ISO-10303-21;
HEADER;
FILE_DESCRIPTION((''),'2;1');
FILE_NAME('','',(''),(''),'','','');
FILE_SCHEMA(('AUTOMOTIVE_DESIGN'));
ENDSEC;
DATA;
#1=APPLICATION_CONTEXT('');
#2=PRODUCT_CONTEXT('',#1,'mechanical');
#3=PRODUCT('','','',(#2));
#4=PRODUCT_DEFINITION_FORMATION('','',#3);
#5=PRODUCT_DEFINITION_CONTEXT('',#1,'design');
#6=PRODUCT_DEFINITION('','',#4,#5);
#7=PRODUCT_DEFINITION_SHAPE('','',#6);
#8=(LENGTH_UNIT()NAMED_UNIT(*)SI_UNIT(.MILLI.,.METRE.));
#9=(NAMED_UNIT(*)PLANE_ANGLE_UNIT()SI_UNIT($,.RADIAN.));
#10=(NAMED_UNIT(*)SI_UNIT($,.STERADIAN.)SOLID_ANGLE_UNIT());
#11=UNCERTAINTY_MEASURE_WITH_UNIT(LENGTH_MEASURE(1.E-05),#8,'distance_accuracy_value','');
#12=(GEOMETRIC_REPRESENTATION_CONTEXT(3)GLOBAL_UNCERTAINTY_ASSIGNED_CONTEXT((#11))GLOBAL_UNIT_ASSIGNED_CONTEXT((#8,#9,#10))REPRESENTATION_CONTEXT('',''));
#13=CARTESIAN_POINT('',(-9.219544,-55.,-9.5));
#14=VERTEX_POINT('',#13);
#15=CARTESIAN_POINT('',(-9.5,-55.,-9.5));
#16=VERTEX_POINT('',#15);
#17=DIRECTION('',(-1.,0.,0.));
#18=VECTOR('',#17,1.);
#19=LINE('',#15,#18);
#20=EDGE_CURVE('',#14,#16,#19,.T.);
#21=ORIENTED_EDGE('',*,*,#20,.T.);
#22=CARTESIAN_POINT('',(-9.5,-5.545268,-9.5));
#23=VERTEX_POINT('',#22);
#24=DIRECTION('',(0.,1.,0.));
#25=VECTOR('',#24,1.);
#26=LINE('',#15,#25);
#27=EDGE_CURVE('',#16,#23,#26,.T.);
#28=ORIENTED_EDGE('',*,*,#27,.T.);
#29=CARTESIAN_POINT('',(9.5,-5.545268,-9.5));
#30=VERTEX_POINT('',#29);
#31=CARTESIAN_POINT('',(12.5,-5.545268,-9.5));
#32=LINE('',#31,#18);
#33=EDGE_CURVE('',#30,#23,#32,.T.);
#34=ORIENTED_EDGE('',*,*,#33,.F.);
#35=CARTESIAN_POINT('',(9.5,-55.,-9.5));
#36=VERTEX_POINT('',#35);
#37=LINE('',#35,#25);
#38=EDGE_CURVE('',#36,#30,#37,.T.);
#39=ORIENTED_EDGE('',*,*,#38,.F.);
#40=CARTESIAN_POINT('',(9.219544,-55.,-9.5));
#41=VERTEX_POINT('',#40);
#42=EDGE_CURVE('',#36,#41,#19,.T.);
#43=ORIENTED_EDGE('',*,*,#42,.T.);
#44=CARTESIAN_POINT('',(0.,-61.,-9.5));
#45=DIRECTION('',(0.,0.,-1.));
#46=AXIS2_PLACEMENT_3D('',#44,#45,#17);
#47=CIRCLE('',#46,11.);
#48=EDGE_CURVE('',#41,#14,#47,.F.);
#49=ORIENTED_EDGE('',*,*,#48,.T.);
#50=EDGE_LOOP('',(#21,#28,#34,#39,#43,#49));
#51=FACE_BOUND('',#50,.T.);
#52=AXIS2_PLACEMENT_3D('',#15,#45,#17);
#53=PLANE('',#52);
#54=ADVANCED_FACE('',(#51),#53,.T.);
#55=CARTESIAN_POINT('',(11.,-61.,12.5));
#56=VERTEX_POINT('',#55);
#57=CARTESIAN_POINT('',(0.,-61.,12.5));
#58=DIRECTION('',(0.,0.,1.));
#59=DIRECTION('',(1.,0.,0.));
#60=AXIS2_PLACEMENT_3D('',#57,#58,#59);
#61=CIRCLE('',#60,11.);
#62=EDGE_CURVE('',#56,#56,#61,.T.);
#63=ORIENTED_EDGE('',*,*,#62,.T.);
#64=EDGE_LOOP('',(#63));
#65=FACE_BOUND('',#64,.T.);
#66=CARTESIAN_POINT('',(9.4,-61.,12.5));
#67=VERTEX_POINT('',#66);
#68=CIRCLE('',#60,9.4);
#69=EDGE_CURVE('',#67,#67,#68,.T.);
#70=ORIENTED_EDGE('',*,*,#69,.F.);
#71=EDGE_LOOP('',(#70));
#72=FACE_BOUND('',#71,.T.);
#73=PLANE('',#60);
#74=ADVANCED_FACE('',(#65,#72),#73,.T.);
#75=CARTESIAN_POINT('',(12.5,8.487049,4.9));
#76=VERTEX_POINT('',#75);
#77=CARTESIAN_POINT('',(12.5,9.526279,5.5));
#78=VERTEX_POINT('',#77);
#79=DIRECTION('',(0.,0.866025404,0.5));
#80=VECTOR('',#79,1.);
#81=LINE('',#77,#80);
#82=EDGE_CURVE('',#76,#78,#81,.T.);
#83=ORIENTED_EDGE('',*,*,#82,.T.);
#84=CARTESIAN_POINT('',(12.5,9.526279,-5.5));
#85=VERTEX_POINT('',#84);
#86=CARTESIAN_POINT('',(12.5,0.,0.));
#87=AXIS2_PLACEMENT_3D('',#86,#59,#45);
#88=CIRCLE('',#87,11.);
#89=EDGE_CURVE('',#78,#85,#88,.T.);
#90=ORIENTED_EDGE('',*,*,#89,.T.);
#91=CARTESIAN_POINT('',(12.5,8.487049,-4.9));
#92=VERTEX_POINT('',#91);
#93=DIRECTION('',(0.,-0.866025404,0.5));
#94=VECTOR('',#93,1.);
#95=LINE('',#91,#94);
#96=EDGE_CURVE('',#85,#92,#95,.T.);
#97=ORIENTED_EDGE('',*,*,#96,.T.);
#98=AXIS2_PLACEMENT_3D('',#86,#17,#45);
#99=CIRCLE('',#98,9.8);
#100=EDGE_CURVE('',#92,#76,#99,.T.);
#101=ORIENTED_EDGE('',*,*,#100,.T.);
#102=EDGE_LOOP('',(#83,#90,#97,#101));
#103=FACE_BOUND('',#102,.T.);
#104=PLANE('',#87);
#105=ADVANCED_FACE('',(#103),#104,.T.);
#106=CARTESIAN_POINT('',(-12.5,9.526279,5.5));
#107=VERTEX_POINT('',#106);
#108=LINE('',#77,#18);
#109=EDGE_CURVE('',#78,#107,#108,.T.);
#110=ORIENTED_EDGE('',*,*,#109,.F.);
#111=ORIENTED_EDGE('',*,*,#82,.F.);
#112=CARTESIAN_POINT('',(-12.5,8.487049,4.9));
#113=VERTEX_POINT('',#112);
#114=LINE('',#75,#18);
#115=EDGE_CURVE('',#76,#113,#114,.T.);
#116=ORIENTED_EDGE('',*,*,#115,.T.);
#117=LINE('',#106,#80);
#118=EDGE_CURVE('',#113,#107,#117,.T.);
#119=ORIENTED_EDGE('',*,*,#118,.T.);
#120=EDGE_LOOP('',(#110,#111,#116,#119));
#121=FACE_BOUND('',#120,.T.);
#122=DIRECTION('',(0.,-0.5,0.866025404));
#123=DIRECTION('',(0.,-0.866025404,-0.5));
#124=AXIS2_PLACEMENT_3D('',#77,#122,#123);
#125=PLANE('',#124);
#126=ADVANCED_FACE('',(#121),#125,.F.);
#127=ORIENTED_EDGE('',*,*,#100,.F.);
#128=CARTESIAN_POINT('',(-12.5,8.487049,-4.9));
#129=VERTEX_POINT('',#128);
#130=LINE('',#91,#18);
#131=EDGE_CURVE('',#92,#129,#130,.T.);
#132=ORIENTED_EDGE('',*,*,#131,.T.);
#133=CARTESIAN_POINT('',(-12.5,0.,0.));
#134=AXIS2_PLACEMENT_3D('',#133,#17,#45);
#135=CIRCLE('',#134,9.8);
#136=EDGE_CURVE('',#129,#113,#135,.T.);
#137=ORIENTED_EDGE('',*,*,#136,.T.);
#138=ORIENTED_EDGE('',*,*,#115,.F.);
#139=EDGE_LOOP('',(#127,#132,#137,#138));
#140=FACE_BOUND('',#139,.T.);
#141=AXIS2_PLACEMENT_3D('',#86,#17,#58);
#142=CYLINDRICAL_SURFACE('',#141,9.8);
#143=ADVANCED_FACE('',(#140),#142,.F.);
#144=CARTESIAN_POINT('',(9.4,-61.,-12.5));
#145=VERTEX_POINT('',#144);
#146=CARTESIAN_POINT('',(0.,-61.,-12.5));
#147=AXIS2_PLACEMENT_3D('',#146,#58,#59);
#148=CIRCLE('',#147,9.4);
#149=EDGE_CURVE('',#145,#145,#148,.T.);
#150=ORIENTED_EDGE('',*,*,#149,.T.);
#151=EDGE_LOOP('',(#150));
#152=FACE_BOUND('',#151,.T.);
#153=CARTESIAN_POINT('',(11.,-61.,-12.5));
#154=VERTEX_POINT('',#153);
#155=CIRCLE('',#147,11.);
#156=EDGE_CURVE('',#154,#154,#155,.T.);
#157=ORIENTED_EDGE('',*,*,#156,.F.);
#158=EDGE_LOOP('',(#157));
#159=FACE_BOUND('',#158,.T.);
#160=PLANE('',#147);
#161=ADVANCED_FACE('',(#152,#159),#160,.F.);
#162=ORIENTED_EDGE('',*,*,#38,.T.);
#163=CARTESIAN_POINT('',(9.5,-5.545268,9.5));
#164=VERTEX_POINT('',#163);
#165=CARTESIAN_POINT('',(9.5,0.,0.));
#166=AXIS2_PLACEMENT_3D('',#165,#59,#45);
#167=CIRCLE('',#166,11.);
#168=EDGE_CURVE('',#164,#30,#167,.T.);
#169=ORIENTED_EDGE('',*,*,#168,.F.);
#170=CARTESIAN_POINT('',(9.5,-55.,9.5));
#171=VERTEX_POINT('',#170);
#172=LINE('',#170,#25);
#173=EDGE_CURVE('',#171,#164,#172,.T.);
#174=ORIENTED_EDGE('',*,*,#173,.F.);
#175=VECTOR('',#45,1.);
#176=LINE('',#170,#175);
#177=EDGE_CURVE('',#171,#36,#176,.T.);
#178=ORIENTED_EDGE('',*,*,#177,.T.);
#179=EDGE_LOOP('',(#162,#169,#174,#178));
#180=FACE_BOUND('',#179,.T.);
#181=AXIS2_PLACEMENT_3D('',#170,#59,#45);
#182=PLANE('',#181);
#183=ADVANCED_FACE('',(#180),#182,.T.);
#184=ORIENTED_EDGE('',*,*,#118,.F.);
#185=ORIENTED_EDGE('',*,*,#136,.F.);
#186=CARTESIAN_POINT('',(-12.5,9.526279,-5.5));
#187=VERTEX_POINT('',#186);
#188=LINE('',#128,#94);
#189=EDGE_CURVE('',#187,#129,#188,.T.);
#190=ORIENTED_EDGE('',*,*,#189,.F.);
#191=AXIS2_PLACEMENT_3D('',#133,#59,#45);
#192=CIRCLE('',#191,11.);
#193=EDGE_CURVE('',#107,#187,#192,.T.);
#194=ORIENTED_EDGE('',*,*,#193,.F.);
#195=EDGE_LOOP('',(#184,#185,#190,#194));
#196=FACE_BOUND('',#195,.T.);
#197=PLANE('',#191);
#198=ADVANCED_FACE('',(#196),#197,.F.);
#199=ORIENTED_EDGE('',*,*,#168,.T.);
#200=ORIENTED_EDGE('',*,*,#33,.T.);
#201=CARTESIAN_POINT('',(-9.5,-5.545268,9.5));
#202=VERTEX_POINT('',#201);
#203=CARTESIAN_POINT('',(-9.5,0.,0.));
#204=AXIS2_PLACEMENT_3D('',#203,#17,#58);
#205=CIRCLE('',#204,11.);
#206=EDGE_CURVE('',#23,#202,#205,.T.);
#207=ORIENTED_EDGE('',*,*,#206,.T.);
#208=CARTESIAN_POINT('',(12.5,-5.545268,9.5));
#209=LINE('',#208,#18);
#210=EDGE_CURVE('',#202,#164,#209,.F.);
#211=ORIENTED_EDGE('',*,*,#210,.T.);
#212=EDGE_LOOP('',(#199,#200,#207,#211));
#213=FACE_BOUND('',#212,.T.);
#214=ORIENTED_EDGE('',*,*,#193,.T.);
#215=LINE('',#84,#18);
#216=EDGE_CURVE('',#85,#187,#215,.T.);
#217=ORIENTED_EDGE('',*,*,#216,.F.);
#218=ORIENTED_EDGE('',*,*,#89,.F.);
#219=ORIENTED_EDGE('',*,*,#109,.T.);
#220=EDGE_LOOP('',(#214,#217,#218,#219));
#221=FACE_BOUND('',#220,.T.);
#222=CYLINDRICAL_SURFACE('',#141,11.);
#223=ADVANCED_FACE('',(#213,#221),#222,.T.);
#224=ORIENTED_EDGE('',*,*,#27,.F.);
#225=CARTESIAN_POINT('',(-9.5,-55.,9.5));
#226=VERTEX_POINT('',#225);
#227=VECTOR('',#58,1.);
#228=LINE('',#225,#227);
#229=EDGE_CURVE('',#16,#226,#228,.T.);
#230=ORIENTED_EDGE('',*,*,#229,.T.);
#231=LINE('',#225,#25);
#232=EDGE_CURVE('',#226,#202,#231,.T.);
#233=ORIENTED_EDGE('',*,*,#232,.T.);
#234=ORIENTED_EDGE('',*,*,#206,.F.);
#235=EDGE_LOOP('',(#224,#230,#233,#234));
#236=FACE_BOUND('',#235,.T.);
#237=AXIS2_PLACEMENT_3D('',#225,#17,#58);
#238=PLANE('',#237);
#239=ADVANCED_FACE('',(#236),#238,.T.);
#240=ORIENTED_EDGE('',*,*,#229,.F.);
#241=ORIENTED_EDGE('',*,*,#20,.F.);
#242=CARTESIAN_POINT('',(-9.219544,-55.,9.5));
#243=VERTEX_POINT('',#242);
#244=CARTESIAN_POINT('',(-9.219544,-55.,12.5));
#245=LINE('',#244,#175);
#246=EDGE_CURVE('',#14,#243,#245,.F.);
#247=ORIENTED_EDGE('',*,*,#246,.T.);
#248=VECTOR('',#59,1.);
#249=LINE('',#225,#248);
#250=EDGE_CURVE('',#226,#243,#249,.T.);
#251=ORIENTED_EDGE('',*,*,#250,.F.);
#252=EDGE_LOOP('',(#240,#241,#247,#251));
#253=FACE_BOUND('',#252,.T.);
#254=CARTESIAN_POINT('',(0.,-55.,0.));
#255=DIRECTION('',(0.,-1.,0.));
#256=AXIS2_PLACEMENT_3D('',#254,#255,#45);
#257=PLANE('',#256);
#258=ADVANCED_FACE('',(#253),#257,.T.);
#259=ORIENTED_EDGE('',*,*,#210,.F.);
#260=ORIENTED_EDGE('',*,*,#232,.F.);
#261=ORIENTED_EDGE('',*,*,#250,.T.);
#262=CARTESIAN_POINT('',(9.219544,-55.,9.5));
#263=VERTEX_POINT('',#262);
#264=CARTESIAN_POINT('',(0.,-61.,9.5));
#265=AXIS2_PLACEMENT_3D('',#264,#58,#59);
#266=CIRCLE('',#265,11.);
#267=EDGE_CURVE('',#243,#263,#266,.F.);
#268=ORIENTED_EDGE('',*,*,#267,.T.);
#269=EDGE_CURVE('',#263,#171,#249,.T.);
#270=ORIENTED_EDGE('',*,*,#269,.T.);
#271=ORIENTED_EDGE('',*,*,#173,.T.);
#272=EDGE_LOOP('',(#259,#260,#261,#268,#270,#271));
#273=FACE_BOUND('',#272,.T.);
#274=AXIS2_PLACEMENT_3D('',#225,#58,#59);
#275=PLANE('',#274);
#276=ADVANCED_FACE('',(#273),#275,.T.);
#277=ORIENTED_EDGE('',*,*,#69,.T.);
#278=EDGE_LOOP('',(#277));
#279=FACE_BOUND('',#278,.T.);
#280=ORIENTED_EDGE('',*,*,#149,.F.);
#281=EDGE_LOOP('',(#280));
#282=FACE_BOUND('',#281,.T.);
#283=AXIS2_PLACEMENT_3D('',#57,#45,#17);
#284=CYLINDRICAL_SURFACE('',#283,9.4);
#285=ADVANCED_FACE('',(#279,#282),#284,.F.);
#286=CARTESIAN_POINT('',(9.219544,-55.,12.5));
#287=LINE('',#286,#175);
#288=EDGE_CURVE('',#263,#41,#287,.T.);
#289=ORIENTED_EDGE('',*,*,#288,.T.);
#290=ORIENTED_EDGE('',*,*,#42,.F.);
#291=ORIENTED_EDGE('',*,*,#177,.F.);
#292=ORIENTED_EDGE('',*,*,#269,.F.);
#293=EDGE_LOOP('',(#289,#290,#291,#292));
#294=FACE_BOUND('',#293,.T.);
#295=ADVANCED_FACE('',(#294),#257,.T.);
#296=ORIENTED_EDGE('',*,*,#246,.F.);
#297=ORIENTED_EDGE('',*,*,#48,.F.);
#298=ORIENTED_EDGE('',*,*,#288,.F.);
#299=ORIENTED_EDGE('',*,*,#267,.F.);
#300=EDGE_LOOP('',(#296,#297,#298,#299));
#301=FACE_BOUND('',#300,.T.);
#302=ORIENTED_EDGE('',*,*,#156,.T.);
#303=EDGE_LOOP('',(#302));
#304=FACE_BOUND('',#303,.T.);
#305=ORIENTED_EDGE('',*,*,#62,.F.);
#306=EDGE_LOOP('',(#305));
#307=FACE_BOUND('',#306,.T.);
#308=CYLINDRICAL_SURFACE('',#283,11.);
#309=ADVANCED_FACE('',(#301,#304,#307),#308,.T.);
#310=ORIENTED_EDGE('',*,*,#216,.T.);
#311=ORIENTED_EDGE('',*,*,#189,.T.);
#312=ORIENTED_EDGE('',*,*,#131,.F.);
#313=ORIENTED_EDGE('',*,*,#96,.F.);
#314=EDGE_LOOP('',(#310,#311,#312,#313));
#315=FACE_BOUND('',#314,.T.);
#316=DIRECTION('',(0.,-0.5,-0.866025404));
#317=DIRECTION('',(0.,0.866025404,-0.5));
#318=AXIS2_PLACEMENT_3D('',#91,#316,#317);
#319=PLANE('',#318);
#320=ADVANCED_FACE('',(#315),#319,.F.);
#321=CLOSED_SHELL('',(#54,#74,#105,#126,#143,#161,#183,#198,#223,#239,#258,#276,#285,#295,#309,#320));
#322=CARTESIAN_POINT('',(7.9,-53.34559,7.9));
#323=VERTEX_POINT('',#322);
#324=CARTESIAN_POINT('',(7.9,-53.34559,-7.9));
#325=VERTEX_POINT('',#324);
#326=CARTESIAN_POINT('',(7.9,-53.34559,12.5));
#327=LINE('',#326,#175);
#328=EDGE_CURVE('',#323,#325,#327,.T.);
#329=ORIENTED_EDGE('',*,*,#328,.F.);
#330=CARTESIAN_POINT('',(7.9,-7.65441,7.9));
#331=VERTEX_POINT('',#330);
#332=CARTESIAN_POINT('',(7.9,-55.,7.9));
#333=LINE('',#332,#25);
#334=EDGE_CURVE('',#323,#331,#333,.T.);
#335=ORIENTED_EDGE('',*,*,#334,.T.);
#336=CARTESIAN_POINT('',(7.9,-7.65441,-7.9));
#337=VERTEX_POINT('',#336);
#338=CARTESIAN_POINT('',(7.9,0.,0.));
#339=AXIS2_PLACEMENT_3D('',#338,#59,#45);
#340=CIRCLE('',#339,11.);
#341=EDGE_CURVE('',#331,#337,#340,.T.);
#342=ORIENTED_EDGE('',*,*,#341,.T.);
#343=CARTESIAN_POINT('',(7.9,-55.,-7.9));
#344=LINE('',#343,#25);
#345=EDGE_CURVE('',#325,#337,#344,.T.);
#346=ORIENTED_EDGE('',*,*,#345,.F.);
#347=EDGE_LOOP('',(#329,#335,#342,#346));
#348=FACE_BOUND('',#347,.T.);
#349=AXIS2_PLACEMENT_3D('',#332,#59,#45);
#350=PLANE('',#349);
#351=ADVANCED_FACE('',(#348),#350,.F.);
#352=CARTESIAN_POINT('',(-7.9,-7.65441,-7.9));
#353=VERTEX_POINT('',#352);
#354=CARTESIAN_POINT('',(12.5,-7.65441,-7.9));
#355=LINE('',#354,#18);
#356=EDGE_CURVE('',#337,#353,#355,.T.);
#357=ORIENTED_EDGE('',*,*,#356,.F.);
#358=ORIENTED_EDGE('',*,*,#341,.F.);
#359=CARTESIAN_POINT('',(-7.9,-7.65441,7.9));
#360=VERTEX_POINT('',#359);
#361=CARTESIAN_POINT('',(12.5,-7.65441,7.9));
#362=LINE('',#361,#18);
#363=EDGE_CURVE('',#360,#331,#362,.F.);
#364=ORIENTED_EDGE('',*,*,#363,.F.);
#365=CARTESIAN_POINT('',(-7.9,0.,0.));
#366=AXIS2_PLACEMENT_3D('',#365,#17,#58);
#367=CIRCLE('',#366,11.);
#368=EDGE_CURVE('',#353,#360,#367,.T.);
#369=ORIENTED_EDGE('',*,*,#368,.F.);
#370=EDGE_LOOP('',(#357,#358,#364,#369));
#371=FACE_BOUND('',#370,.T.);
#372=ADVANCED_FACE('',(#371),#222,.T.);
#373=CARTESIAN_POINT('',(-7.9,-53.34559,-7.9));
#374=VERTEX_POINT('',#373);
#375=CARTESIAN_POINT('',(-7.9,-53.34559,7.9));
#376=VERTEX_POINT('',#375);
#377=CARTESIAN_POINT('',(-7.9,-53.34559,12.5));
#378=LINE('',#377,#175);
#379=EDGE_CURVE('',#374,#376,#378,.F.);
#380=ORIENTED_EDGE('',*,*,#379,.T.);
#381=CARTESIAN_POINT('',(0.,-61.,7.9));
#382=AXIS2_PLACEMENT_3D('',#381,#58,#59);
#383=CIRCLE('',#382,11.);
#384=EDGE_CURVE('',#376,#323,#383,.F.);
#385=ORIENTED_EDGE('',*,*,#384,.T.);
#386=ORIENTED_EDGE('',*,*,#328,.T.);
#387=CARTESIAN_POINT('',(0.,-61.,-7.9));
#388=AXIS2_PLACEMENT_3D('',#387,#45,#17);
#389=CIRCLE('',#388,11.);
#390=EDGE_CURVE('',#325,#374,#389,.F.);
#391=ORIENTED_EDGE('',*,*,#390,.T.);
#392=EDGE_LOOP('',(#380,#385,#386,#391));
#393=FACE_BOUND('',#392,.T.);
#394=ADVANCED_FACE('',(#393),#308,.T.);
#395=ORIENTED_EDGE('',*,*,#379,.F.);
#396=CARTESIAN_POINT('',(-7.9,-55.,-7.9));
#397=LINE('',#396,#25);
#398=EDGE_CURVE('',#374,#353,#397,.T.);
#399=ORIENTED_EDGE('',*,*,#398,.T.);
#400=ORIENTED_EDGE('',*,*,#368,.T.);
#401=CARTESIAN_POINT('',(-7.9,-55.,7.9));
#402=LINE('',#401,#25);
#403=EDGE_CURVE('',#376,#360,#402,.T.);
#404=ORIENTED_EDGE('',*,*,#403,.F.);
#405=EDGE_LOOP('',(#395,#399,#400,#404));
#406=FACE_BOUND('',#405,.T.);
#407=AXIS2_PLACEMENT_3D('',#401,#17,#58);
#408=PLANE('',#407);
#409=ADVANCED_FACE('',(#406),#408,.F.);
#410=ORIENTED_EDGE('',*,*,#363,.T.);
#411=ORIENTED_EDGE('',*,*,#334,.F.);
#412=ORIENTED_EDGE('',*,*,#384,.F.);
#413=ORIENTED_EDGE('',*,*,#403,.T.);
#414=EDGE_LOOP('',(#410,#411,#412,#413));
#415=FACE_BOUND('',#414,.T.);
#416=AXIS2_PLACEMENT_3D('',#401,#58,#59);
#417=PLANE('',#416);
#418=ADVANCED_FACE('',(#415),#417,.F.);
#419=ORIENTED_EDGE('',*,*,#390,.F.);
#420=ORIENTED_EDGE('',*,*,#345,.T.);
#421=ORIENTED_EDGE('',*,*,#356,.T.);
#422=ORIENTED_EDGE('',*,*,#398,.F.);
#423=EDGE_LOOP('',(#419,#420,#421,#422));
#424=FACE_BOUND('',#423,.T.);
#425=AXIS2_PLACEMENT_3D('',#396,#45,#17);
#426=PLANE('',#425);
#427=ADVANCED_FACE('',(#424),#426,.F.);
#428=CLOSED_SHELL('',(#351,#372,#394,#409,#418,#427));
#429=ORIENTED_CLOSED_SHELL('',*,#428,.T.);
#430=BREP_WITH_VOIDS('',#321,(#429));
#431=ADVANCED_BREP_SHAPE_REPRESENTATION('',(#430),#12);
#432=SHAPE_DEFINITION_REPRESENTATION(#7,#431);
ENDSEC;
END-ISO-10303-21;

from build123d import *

# Parameters (mm, degrees)
BOSS_EXTRUDE1_DEPTH = 12.5
SKETCH3_W           = 19
SKETCH3_H           = 19
SKETCH3_W_2         = 15.8
SKETCH3_H_2         = 15.8
BOSS_EXTRUDE3_DEPTH = 55
SKETCH2_R           = 11
SKETCH2_R_2         = 9.4
BOSS_EXTRUDE2_DEPTH = 12.5
SKETCH4_R           = 9.8
CUT_EXTRUDE1_DEPTH  = 20
SKETCH5_R           = 9.4
CUT_EXTRUDE2_DEPTH  = 20


with BuildPart() as part:
    # Sketch1 → Boss-Extrude1 (new, symmetric)
    with BuildSketch(Plane(origin=(0, 0, 0), x_dir=(0, 0, -1), z_dir=(1, 0, 0))):
        with BuildLine():
            Line((-5.5, 9.526279442), (-4.9, 8.487048957))
            ThreePointArc((-4.9, 8.487048957), (0, -9.8), (4.9, 8.487048957))
            Line((4.9, 8.487048957), (5.5, 9.526279442))
            ThreePointArc((5.5, 9.526279442), (0, -11), (-5.5, 9.526279442))
        make_face()
    extrude(amount=BOSS_EXTRUDE1_DEPTH, both=True)

    # Sketch3 → Boss-Extrude3 (add)
    with BuildSketch(Plane(origin=(0, 0, 0), x_dir=(1, 0, 0), z_dir=(0, 1, 0))):
        Rectangle(SKETCH3_W, SKETCH3_H)
        Rectangle(SKETCH3_W_2, SKETCH3_H_2, mode=Mode.SUBTRACT)
    extrude(amount=-BOSS_EXTRUDE3_DEPTH)

    # Sketch2 → Boss-Extrude2 (add, symmetric)
    with BuildSketch(Plane.XY):
        with Locations((0, -61)):
            Circle(SKETCH2_R)
        with Locations((0, -61)):
            Circle(SKETCH2_R_2, mode=Mode.SUBTRACT)
    extrude(amount=BOSS_EXTRUDE2_DEPTH, both=True)

    # Sketch4 → Cut-Extrude1 (cut, symmetric)
    with BuildSketch(Plane(origin=(0, 0, 0), x_dir=(0, 0, -1), z_dir=(1, 0, 0))):
        Circle(SKETCH4_R)
    extrude(amount=CUT_EXTRUDE1_DEPTH, both=True, mode=Mode.SUBTRACT)

    # Sketch5 → Cut-Extrude2 (cut, symmetric)
    with BuildSketch(Plane.XY):
        with Locations((0, -61)):
            Circle(SKETCH5_R)
    extrude(amount=CUT_EXTRUDE2_DEPTH, both=True, mode=Mode.SUBTRACT)


solid = part.part
